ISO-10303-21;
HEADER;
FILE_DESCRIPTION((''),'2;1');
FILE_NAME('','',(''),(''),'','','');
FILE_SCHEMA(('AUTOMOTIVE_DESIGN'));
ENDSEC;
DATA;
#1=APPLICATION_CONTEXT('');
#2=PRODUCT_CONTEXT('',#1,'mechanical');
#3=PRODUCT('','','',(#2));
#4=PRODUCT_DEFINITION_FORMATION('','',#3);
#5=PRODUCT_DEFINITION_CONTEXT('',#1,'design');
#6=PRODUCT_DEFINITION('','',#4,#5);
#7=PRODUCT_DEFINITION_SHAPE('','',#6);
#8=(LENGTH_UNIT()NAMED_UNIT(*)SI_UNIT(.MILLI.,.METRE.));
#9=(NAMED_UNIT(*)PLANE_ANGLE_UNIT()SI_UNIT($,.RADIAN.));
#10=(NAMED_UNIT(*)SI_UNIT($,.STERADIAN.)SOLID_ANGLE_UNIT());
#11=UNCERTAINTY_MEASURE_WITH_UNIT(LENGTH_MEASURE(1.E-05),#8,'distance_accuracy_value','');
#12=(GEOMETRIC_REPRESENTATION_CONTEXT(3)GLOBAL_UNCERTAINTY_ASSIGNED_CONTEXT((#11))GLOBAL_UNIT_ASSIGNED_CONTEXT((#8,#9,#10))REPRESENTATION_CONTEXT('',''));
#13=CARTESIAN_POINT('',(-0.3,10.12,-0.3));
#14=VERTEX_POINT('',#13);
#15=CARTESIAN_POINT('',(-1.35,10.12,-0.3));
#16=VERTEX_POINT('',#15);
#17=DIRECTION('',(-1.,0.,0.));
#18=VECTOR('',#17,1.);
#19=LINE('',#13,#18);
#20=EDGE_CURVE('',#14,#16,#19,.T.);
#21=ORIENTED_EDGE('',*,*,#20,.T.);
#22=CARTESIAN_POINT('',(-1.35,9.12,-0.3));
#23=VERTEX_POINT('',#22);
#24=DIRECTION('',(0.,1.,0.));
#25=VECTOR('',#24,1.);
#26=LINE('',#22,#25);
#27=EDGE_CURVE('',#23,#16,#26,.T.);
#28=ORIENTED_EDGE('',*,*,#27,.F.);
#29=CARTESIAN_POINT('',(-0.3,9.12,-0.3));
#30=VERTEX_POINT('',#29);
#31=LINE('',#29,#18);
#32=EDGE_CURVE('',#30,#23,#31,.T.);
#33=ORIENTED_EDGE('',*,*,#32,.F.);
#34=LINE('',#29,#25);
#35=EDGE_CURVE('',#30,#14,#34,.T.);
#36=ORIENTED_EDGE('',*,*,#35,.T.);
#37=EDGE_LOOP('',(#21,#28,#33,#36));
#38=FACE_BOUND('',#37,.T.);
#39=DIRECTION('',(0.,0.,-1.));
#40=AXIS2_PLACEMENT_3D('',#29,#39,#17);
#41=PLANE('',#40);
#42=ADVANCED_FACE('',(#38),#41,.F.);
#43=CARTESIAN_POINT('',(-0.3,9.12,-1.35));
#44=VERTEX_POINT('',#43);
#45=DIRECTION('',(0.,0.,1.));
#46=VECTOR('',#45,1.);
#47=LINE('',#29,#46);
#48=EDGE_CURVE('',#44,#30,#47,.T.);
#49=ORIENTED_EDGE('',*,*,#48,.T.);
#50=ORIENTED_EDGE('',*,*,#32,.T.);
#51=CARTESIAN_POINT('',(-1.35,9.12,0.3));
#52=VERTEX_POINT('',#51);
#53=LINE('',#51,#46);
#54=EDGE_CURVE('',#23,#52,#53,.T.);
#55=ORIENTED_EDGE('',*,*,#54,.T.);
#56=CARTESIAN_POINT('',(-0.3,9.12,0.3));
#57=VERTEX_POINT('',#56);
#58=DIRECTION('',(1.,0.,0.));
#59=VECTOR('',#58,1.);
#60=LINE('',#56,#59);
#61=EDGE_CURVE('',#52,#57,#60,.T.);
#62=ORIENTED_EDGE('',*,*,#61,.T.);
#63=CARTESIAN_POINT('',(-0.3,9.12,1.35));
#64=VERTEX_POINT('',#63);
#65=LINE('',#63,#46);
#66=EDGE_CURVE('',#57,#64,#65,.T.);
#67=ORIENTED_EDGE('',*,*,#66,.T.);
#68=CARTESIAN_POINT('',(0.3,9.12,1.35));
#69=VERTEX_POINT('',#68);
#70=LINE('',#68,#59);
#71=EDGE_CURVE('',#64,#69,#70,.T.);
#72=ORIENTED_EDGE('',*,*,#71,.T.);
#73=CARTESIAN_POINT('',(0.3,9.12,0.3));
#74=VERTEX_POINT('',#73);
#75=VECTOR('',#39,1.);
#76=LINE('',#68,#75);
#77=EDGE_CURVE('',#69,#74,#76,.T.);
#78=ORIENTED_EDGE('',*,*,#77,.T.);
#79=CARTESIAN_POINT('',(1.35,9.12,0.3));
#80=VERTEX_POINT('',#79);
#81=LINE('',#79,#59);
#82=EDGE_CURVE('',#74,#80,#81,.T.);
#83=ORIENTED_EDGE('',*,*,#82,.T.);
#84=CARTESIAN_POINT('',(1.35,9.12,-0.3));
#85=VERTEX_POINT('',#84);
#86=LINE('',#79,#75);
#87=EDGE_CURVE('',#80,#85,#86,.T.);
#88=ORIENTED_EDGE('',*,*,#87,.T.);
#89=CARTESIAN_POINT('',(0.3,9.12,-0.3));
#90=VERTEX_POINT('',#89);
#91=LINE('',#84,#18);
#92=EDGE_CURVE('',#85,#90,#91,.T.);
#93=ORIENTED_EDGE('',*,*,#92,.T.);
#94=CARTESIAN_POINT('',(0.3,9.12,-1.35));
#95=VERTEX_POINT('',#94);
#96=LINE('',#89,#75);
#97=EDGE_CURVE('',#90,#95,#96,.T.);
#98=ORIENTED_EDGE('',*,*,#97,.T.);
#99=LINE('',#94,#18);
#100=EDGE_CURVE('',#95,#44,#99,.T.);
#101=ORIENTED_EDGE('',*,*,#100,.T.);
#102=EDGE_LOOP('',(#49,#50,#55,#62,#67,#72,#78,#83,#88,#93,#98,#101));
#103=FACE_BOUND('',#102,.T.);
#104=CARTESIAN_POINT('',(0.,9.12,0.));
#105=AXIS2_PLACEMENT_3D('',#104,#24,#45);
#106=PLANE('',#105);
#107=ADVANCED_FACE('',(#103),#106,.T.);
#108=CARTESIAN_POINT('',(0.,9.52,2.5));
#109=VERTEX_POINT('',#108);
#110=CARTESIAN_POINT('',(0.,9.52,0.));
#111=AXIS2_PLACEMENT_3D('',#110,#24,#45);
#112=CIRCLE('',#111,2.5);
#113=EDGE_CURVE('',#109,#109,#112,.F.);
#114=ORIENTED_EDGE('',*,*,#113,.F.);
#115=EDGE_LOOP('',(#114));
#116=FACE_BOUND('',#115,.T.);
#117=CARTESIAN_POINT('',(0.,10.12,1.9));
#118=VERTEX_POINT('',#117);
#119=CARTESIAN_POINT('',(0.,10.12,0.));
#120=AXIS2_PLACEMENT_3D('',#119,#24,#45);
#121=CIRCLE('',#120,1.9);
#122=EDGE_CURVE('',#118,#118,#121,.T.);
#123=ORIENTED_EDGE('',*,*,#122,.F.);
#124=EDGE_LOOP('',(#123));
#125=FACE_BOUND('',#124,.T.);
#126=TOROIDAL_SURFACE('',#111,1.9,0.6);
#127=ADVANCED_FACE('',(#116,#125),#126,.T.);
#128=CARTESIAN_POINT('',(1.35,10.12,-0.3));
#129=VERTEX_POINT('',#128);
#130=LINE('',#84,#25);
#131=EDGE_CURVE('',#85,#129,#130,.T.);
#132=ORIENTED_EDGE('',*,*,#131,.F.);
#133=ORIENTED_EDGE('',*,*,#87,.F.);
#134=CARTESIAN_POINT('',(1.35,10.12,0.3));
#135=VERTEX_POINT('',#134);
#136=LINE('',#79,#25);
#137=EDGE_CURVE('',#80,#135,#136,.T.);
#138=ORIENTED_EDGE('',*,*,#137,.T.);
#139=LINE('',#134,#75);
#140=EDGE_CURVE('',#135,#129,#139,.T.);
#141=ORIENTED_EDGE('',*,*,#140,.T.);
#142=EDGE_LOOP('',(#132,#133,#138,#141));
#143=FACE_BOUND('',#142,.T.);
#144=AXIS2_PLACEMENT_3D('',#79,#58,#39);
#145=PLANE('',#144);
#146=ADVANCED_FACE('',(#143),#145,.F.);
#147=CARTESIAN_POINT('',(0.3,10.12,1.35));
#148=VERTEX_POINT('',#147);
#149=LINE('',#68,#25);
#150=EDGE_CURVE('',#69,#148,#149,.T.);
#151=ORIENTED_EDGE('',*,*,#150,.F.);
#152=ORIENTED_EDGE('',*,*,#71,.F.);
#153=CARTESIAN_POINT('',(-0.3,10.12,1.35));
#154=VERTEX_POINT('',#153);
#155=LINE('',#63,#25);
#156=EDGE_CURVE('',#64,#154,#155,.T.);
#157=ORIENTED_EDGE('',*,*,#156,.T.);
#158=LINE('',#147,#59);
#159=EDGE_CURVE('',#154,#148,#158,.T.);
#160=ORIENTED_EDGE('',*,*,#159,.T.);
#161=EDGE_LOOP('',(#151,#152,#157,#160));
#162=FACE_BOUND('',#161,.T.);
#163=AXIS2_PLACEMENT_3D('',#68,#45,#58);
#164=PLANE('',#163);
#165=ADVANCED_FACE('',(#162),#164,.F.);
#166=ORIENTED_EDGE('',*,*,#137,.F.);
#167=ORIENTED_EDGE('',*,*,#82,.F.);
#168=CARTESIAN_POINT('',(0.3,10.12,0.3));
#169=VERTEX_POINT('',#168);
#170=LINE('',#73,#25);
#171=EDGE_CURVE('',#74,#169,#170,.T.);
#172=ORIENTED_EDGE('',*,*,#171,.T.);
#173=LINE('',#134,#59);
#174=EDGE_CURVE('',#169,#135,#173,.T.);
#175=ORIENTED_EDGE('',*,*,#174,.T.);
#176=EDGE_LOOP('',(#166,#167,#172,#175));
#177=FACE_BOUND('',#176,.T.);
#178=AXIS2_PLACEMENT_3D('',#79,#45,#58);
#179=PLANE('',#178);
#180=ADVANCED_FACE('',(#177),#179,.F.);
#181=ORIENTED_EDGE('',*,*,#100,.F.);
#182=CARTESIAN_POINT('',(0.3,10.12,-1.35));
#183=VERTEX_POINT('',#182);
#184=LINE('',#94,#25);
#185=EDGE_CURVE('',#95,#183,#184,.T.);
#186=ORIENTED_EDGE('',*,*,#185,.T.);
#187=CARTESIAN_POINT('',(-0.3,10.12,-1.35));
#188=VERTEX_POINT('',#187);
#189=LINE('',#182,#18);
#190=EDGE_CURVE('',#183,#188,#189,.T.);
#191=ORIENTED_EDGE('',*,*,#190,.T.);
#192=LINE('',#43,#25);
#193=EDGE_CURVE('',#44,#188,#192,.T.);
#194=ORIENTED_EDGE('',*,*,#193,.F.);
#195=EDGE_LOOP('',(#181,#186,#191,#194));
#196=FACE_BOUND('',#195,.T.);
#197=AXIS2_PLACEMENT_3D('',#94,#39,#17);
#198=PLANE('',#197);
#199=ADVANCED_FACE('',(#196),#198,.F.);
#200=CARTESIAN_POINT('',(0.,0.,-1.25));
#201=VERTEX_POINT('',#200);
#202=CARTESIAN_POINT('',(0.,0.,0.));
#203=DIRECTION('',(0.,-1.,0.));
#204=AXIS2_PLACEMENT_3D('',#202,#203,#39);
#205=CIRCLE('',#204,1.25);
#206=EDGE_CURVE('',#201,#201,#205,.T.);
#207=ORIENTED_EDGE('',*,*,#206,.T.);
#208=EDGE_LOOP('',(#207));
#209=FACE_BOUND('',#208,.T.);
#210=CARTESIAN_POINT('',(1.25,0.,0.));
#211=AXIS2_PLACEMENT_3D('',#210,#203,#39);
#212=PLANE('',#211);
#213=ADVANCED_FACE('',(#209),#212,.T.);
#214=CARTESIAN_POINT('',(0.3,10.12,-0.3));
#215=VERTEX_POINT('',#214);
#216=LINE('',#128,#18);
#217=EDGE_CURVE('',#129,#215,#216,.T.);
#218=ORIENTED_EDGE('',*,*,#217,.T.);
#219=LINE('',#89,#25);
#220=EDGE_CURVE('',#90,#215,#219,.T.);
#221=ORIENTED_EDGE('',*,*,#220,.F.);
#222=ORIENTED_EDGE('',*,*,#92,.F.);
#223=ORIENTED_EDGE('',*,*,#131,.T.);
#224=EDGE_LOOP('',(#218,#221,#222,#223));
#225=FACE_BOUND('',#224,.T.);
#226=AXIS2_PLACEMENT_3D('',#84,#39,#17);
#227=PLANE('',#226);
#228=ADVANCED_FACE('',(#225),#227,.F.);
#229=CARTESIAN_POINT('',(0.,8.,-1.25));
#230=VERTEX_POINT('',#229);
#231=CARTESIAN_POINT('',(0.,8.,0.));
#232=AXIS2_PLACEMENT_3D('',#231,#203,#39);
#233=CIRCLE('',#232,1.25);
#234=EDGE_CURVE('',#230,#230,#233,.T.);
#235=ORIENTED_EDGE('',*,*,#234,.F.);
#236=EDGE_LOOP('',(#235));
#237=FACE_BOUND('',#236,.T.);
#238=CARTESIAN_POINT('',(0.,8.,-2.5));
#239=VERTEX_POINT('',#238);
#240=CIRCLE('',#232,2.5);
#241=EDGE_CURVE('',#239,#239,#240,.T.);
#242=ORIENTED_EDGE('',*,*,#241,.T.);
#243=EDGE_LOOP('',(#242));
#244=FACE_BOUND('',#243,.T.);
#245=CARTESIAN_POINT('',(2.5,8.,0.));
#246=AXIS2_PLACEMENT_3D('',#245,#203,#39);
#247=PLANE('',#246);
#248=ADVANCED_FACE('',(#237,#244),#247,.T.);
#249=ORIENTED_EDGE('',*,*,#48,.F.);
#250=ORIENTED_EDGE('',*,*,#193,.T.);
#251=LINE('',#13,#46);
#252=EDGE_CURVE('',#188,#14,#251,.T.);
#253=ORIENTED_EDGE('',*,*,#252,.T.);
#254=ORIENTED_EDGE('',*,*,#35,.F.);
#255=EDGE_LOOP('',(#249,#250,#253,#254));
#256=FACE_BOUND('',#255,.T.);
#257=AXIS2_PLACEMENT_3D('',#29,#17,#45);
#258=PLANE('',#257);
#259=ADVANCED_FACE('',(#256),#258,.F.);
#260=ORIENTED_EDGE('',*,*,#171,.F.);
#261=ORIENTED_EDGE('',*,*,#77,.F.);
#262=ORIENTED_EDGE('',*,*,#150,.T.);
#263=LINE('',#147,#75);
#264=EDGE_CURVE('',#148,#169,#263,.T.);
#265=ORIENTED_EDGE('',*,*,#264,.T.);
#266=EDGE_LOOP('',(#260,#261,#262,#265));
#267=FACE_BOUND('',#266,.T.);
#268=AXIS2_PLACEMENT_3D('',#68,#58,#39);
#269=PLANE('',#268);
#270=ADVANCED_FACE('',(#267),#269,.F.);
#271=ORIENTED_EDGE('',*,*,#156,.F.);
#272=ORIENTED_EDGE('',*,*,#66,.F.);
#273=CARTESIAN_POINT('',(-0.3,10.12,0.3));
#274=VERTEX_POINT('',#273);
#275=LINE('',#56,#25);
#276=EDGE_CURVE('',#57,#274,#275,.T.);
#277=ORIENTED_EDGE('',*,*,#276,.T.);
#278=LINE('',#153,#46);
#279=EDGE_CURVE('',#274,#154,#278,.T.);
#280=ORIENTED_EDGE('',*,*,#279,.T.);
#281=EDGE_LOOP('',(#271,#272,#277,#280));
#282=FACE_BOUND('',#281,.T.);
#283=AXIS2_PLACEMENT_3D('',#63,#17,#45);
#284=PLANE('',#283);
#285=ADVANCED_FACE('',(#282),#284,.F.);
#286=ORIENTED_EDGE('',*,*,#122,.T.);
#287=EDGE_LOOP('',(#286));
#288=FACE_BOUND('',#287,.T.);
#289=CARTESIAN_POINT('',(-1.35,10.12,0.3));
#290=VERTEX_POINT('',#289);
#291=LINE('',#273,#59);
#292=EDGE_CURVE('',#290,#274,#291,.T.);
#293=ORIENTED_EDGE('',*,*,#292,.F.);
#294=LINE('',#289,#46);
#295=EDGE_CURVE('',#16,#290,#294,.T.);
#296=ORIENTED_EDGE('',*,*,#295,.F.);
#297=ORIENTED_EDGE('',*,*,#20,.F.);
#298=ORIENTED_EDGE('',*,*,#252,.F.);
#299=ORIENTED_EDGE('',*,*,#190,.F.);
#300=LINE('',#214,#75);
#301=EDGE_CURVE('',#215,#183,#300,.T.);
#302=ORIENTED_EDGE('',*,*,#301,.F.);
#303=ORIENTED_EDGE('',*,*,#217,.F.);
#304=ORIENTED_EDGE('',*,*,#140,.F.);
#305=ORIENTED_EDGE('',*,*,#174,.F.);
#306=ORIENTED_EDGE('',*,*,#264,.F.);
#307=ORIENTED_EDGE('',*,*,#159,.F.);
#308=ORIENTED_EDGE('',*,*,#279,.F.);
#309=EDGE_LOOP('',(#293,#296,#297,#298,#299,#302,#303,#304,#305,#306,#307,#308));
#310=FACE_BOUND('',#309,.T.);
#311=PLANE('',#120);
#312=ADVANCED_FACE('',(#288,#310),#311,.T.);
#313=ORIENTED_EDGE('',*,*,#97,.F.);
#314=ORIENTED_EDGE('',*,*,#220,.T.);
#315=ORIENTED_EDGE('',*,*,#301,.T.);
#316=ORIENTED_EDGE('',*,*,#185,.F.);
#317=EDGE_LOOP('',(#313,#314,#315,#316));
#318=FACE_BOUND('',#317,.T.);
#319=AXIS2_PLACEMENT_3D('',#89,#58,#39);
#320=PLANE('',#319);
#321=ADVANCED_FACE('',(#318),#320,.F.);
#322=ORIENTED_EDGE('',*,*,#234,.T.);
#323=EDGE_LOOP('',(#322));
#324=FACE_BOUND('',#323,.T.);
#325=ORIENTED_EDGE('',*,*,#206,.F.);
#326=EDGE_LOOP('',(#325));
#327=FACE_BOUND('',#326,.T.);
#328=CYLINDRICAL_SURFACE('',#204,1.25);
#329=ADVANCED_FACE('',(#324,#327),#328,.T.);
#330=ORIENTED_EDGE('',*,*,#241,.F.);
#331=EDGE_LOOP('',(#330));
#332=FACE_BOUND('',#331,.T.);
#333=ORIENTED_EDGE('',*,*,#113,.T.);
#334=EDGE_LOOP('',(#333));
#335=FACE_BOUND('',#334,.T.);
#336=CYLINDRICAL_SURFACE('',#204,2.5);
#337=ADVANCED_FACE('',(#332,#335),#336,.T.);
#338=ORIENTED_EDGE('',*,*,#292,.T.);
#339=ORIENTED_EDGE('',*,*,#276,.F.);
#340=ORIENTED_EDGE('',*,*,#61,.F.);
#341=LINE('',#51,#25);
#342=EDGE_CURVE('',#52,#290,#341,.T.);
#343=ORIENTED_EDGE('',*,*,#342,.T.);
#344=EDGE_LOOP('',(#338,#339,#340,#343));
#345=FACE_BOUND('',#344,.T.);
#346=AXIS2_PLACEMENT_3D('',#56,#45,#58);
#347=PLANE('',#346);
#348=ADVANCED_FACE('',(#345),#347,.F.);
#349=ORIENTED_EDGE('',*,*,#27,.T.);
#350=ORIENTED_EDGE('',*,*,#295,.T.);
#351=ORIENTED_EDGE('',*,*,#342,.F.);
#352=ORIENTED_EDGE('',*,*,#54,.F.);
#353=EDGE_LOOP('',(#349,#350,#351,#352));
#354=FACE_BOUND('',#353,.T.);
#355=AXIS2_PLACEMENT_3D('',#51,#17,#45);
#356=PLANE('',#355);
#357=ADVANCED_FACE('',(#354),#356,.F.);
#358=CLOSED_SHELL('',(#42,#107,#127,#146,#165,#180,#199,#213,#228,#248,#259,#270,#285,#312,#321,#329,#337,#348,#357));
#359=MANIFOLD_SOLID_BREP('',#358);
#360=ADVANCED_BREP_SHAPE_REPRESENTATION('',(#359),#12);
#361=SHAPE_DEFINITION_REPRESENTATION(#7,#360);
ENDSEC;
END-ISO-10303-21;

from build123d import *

# Parameters (mm, degrees)
CUT_EXTRUDE1_DEPTH = 1
FILLET1_R          = 0.6


with BuildPart() as part:
    # Sketch1 → Revolve1 (revolve)
    with BuildSketch(Plane.XY, mode=Mode.PRIVATE) as revolve1_sk:
        Polygon((0, 0), (0, 10.12), (2.5, 10.12), (2.5, 8), (1.25, 8), (1.25, 0), align=None)
    revolve(revolve1_sk.sketch.rotate(Axis((0, 0, 0), (0, 1, 0)), 90), axis=Axis((0, 0, 0), (0, 1, 0)))

    # Sketch2 → Cut-Extrude1 (cut)
    with BuildSketch(Plane(origin=(0, 10.12, 0), x_dir=(1, 0, 0), z_dir=(0, 1, 0))):
        Polygon((-0.3, 0.3), (-1.35, 0.3), (-1.35, -0.3), (-0.3, -0.3), (-0.3, -1.35), (0.3, -1.35), (0.3, -0.3), (1.35, -0.3), (1.35, 0.3), (0.3, 0.3), (0.3, 1.35), (-0.3, 1.35), align=None)
    extrude(amount=-CUT_EXTRUDE1_DEPTH, mode=Mode.SUBTRACT)

    # Fillet1
    fillet1_edges = [part.edges().sort_by_distance(p)[0] for p in [
        (0, 10.12, 2.5),
    ]]
    fillet(fillet1_edges, radius=FILLET1_R)


solid = part.part
